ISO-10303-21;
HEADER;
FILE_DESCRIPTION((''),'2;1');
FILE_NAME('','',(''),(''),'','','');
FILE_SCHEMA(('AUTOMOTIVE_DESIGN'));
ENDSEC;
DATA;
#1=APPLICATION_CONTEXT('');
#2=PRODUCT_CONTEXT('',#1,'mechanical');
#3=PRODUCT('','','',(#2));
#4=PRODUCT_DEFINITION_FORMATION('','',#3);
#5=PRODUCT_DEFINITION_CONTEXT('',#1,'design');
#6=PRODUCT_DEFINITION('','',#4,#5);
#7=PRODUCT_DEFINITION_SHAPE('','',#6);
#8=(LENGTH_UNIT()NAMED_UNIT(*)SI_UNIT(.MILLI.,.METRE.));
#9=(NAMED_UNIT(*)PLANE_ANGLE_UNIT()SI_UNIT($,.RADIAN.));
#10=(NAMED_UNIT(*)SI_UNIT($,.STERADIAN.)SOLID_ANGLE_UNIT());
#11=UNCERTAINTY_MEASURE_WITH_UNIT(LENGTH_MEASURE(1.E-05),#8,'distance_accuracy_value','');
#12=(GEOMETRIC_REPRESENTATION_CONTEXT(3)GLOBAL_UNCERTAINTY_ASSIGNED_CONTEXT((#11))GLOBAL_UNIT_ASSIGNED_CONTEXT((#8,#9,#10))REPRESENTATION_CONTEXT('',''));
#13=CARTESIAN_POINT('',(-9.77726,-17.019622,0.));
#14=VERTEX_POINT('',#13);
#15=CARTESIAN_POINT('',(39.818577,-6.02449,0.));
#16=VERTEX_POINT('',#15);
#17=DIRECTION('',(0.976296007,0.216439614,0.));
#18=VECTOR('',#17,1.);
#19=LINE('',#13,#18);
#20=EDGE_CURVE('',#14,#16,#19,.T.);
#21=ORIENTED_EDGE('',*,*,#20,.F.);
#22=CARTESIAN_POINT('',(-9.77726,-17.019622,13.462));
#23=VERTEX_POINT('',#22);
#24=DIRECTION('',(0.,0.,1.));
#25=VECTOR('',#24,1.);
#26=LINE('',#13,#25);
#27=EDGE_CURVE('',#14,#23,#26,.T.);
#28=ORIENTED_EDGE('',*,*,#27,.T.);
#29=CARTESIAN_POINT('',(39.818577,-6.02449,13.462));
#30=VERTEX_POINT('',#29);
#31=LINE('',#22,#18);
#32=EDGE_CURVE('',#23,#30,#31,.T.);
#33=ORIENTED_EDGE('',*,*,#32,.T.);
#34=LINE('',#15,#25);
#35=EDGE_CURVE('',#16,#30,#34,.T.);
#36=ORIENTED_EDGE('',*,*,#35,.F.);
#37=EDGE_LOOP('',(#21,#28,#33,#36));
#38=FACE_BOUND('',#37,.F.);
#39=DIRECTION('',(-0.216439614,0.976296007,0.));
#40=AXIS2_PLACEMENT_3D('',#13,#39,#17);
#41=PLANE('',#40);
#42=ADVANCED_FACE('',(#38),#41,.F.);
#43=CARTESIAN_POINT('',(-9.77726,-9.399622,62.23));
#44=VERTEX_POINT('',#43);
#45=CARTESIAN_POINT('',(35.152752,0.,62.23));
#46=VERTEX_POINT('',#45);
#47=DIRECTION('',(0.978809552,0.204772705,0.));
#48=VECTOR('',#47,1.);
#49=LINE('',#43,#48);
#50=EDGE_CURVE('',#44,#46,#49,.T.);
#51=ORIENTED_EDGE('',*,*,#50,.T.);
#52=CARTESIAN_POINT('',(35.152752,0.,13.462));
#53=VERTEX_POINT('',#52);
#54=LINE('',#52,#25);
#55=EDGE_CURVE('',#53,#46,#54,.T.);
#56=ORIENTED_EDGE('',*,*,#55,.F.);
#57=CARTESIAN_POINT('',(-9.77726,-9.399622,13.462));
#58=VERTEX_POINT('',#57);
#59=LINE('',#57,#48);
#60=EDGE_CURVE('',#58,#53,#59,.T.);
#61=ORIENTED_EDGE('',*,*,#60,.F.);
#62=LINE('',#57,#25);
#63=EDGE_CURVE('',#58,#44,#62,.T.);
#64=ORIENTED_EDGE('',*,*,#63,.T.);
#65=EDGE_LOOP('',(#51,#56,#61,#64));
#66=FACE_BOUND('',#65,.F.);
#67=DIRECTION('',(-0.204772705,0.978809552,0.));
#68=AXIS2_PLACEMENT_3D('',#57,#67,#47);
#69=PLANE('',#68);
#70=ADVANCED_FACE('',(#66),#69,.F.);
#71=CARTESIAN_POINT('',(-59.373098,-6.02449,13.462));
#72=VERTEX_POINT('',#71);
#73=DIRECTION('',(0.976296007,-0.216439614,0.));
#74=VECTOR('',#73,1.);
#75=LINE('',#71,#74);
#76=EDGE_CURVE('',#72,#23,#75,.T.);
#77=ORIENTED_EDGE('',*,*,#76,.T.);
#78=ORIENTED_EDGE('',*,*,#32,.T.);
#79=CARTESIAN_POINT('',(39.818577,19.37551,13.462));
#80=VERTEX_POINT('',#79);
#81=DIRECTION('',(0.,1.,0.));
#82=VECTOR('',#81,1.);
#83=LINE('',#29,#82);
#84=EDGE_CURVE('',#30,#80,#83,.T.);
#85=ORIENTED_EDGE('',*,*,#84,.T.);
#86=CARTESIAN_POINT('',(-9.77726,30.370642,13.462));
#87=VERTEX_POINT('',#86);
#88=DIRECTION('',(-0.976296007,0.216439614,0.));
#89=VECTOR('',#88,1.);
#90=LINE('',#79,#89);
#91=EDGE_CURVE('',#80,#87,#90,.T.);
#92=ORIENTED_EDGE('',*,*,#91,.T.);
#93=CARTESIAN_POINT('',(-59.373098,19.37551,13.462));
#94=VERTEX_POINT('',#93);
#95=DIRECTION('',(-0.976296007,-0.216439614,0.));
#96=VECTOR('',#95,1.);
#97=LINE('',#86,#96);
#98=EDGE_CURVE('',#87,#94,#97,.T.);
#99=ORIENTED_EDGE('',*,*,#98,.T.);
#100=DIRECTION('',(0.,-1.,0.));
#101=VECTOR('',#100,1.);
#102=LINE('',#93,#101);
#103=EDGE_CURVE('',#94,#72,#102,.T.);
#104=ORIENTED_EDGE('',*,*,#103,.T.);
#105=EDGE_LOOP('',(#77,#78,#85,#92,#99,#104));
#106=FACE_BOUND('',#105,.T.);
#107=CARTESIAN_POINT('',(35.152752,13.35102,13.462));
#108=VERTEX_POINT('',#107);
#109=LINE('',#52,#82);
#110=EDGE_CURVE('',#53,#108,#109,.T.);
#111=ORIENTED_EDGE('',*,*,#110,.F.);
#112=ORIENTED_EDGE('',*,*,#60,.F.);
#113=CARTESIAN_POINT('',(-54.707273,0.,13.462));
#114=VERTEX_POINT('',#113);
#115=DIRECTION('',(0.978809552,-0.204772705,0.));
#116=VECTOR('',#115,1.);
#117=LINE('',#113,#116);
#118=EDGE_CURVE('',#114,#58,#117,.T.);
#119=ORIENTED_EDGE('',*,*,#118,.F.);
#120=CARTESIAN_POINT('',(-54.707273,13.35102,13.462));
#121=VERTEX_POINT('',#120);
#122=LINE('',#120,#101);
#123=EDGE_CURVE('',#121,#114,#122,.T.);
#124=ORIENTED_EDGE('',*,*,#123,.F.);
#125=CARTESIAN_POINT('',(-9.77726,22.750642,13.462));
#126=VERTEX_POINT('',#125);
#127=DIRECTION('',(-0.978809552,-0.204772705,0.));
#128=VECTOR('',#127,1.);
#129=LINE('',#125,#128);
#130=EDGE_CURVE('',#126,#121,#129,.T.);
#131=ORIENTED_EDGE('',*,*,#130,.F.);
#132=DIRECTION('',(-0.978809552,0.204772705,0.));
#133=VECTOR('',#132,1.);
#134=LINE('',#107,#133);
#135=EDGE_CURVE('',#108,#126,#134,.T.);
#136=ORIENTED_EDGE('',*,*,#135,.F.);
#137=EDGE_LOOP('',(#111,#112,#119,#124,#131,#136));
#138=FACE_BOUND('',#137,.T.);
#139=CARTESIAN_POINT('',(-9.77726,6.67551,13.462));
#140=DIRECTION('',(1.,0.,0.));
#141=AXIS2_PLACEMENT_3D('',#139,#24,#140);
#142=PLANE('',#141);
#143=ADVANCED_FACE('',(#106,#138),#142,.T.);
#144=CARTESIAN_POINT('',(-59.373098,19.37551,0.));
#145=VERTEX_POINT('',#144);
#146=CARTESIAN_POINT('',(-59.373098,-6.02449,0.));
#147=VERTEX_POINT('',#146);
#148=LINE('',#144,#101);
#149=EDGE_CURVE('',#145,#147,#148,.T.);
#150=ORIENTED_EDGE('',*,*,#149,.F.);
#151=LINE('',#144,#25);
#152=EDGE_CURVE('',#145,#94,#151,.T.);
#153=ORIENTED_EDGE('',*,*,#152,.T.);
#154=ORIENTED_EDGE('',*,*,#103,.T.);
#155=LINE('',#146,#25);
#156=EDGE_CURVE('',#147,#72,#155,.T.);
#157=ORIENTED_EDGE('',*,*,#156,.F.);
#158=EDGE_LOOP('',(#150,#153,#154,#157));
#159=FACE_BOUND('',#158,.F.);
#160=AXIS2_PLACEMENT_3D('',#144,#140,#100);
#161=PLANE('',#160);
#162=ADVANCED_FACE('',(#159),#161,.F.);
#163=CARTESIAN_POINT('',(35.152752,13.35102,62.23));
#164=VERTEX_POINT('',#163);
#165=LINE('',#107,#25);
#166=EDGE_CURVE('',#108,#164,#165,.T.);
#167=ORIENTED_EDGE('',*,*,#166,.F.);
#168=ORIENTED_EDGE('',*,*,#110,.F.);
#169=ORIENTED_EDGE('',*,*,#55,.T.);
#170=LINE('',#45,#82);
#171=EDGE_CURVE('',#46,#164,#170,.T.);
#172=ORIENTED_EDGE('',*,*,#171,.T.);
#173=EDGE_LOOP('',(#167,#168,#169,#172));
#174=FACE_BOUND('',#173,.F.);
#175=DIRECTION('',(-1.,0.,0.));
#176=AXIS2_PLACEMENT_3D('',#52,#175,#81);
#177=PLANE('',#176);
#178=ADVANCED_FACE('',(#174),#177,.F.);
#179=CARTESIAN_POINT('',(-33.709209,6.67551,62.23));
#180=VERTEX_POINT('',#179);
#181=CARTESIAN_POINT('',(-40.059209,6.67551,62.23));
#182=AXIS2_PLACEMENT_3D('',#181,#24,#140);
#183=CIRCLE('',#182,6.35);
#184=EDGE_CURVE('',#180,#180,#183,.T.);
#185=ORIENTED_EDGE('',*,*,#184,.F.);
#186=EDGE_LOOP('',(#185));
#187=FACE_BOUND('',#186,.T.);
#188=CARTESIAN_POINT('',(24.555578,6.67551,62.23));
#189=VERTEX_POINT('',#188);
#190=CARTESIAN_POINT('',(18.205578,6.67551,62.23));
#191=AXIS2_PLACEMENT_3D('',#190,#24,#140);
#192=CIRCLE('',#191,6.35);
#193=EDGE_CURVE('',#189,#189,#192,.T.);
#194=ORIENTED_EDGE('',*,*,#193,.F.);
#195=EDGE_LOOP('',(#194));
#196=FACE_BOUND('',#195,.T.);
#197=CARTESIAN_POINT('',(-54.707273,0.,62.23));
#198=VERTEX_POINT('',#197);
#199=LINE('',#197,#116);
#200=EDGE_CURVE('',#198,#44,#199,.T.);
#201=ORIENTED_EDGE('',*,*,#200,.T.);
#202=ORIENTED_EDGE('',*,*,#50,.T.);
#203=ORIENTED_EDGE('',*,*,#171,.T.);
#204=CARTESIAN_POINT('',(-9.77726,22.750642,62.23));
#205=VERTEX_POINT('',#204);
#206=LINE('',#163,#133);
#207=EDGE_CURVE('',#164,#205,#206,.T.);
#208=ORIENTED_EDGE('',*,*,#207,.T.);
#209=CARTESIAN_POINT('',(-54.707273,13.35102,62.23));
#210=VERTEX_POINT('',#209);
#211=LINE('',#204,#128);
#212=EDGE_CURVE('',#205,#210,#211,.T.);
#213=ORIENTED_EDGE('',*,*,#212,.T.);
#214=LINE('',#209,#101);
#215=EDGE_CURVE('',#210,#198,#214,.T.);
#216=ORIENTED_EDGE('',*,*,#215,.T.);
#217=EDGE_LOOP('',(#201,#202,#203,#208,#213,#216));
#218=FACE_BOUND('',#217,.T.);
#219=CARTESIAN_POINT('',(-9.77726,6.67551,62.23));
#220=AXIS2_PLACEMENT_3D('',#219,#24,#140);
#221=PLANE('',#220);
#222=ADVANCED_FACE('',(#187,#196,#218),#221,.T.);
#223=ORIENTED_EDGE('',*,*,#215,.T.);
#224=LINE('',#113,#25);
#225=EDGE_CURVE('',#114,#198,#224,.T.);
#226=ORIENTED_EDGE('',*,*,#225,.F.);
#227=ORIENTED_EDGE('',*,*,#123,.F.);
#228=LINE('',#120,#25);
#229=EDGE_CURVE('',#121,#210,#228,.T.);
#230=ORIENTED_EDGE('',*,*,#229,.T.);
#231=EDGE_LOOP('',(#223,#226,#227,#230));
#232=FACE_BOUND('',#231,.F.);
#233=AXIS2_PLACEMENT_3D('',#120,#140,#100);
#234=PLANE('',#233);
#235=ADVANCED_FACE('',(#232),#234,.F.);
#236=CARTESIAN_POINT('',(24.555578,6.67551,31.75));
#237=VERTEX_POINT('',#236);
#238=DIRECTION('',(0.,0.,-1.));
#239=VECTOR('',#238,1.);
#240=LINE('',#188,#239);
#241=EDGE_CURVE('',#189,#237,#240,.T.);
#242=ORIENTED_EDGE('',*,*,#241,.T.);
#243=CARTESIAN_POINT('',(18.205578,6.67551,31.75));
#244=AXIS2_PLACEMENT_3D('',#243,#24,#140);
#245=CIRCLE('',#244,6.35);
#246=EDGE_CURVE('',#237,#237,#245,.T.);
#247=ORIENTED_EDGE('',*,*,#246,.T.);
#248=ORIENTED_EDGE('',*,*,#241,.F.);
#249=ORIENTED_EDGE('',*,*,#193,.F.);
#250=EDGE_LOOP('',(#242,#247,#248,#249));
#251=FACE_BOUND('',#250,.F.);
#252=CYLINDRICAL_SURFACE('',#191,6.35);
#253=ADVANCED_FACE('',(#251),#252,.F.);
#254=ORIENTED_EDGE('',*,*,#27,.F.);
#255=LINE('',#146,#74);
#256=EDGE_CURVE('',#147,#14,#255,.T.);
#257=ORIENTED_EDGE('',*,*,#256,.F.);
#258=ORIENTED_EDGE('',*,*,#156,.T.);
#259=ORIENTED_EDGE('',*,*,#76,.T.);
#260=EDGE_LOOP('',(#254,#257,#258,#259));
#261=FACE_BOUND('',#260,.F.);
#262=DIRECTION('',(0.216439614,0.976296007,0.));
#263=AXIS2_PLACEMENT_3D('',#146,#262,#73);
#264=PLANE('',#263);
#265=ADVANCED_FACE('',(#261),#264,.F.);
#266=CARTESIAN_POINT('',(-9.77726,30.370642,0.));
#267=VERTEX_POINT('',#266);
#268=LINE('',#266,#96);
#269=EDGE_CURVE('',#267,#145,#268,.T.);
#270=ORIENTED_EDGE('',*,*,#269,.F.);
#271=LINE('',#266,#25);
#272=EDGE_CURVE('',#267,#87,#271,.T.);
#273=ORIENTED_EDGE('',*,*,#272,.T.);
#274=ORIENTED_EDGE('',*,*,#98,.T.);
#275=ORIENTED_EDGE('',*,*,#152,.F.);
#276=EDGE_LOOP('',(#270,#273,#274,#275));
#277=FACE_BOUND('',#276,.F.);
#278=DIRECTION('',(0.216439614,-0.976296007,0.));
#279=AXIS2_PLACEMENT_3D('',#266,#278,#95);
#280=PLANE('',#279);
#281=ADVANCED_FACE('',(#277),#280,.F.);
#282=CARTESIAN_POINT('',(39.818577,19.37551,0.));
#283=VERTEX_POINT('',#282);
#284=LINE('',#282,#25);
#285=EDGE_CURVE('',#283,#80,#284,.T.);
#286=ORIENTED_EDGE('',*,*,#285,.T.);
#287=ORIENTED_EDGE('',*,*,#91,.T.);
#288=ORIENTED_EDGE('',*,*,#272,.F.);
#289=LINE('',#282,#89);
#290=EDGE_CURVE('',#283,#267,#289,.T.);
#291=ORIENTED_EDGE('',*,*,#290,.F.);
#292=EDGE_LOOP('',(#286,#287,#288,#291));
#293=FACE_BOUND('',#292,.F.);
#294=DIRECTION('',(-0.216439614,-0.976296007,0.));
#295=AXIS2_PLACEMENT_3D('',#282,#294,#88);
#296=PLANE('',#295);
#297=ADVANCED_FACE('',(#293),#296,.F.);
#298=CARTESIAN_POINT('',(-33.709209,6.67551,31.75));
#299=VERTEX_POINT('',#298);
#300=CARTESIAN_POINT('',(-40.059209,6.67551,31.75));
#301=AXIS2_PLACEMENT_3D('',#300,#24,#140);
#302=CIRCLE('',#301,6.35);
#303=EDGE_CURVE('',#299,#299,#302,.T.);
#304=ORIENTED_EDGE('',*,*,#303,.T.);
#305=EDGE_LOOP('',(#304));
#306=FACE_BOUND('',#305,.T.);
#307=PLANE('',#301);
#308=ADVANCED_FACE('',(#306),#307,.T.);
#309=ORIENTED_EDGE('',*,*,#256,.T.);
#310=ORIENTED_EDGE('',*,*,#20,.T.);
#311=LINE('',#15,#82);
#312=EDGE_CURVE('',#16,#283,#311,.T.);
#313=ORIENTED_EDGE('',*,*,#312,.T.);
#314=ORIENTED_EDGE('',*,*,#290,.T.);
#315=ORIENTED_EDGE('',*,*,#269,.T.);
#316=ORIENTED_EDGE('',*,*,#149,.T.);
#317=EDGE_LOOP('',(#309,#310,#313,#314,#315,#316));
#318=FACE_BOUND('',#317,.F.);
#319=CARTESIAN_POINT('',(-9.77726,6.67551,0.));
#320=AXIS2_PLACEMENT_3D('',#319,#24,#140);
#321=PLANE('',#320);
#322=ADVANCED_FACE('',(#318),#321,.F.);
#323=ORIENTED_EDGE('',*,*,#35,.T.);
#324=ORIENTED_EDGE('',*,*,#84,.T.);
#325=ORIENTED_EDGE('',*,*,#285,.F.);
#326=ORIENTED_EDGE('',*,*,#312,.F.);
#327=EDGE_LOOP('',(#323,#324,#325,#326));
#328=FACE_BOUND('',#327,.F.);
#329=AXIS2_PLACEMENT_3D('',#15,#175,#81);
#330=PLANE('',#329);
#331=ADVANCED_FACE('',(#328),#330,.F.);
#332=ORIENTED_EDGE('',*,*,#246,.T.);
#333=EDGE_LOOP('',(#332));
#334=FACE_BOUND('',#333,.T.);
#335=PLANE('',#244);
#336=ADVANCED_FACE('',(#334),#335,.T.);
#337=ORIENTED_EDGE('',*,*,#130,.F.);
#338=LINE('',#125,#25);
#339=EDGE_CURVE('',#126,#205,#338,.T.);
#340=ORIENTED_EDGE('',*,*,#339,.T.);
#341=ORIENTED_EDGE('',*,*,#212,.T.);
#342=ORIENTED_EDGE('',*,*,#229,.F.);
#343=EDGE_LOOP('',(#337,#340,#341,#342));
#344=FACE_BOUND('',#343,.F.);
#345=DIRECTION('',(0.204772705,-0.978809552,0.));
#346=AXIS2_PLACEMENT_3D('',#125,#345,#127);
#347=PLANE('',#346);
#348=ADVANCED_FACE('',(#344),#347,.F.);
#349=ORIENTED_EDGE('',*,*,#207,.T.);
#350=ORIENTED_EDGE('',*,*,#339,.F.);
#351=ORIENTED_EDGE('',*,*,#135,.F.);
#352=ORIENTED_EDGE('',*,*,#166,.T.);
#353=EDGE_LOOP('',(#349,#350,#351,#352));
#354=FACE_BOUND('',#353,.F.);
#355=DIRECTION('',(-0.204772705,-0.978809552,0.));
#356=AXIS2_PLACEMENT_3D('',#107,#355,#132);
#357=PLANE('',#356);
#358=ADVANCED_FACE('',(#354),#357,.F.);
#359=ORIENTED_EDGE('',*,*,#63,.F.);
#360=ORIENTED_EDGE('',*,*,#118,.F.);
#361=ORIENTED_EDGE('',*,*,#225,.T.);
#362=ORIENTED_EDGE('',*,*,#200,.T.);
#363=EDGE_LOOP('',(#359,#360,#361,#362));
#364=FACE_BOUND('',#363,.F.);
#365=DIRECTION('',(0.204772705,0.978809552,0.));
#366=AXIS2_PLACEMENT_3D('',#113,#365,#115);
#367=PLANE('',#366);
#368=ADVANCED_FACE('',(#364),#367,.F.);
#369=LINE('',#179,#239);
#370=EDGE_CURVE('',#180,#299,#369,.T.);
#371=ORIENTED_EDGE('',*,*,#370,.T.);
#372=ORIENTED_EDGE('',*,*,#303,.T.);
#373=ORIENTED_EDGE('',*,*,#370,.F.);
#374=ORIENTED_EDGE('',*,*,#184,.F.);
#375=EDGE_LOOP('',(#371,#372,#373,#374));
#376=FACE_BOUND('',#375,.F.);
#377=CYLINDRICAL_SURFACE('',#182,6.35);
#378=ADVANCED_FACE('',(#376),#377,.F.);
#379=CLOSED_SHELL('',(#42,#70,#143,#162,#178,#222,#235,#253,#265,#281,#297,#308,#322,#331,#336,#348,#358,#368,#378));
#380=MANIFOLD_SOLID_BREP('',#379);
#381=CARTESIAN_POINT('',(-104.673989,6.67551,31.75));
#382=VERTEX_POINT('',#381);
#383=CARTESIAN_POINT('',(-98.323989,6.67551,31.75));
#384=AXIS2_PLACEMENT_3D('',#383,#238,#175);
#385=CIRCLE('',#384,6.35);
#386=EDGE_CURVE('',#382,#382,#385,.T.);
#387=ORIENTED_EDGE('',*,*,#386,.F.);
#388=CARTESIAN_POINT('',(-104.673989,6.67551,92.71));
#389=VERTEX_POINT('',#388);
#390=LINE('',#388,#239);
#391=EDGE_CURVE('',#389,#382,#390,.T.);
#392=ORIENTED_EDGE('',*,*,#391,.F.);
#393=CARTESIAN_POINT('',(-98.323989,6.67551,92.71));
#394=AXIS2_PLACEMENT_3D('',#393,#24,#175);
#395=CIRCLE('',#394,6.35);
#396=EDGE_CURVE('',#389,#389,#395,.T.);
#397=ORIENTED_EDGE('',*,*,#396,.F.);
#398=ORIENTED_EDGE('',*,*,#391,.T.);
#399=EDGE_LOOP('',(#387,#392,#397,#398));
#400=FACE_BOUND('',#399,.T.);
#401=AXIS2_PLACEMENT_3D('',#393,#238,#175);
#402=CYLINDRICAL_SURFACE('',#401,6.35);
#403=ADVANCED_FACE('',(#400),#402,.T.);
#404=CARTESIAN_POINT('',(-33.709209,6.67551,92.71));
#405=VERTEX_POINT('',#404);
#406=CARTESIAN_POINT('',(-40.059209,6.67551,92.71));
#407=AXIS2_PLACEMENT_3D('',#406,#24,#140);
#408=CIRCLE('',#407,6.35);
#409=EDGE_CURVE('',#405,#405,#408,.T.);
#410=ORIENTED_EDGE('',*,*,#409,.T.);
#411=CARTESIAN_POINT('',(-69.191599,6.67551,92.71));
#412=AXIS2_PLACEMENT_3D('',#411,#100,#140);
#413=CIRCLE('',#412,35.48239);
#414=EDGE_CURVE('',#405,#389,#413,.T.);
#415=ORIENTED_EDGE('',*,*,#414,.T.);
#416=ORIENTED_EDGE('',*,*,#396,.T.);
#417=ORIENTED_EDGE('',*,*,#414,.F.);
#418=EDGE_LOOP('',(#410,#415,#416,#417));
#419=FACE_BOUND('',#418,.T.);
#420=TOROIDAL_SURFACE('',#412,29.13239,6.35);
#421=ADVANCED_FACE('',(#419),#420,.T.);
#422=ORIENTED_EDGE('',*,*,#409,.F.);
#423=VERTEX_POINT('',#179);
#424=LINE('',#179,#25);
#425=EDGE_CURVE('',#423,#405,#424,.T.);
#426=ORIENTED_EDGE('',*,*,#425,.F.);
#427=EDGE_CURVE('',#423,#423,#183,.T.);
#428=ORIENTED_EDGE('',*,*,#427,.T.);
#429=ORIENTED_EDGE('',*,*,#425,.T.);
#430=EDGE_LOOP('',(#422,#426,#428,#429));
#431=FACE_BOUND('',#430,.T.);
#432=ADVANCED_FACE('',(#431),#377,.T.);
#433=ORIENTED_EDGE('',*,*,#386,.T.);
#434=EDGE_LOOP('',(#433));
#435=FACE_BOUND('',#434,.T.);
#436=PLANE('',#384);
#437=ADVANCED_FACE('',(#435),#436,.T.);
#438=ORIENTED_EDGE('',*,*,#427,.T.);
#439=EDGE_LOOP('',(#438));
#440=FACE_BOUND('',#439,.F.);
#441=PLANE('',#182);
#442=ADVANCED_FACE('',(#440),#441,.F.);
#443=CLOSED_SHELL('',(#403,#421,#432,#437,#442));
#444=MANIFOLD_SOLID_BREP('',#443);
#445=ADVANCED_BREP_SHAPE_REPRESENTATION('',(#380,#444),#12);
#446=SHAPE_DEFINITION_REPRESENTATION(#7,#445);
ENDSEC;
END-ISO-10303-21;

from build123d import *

# Parameters (mm, degrees)
F1_DEPTH  = 13.462
F3_DEPTH  = 48.768
F4_R      = 6.35
F5_DEPTH  = 30.48
F9_R      = 6.35
F10_DEPTH = 30.48


with BuildPart() as f1:
    # F0 (on Top) → F1 (new body)
    with BuildSketch(Plane.XY):
        Polygon((-9.7772604225, 30.3706423903), (-59.3730975842, 19.3755100023), (-59.3730975842, -6.0244899977), (-9.7772604225, -17.0196223858), (39.8185767392, -6.0244899977), (39.8185767392, 19.3755100023), align=None)
    extrude(amount=F1_DEPTH)

    # F2 (on face) → F3 (join)
    with BuildSketch(Plane.XY.offset(13.462)):
        Polygon((-9.7772604225, 22.7506423903), (-54.7072728696, 13.3510200045), (-54.7072728696, 0), (-9.7772604225, -9.3996223858), (35.1527520247, 0), (35.1527520247, 13.3510200045), align=None)
    extrude(amount=F3_DEPTH)

    # F4 (on face) → F5 (cut)
    with BuildSketch(Plane.XY.offset(62.23)):
        with Locations((18.2055775076, 6.6755100023)):
            Circle(F4_R)
    extrude(amount=-F5_DEPTH, mode=Mode.SUBTRACT)

    # F9 (on face) → F10 (cut)
    with BuildSketch(Plane.XY.offset(62.23)):
        with Locations((-40.0592088699, 6.6755100023)):
            Circle(F9_R)
    extrude(amount=-F10_DEPTH, mode=Mode.SUBTRACT)


with BuildPart() as f8:
    # F8: sweep along a path in F7
    with BuildLine(Plane.XZ) as f8_path:
        Line((-40.0592088699, 62.23), (-40.0592088699, 92.71))
        ThreePointArc((-40.0592088699, 92.71), (-69.1915991699, 121.8423903), (-98.3239894699, 92.71))
        Line((-98.3239894699, 92.71), (-98.3239894699, 31.75))
    # F4 (on face) → F8 (sweep)
    with BuildSketch(Plane.XY.offset(62.23)):
        with Locations((-40.0592088699, 6.6755100023)):
            Circle(F4_R)
    sweep(path=f8_path.line)


solid = Compound([f1.part, f8.part])
